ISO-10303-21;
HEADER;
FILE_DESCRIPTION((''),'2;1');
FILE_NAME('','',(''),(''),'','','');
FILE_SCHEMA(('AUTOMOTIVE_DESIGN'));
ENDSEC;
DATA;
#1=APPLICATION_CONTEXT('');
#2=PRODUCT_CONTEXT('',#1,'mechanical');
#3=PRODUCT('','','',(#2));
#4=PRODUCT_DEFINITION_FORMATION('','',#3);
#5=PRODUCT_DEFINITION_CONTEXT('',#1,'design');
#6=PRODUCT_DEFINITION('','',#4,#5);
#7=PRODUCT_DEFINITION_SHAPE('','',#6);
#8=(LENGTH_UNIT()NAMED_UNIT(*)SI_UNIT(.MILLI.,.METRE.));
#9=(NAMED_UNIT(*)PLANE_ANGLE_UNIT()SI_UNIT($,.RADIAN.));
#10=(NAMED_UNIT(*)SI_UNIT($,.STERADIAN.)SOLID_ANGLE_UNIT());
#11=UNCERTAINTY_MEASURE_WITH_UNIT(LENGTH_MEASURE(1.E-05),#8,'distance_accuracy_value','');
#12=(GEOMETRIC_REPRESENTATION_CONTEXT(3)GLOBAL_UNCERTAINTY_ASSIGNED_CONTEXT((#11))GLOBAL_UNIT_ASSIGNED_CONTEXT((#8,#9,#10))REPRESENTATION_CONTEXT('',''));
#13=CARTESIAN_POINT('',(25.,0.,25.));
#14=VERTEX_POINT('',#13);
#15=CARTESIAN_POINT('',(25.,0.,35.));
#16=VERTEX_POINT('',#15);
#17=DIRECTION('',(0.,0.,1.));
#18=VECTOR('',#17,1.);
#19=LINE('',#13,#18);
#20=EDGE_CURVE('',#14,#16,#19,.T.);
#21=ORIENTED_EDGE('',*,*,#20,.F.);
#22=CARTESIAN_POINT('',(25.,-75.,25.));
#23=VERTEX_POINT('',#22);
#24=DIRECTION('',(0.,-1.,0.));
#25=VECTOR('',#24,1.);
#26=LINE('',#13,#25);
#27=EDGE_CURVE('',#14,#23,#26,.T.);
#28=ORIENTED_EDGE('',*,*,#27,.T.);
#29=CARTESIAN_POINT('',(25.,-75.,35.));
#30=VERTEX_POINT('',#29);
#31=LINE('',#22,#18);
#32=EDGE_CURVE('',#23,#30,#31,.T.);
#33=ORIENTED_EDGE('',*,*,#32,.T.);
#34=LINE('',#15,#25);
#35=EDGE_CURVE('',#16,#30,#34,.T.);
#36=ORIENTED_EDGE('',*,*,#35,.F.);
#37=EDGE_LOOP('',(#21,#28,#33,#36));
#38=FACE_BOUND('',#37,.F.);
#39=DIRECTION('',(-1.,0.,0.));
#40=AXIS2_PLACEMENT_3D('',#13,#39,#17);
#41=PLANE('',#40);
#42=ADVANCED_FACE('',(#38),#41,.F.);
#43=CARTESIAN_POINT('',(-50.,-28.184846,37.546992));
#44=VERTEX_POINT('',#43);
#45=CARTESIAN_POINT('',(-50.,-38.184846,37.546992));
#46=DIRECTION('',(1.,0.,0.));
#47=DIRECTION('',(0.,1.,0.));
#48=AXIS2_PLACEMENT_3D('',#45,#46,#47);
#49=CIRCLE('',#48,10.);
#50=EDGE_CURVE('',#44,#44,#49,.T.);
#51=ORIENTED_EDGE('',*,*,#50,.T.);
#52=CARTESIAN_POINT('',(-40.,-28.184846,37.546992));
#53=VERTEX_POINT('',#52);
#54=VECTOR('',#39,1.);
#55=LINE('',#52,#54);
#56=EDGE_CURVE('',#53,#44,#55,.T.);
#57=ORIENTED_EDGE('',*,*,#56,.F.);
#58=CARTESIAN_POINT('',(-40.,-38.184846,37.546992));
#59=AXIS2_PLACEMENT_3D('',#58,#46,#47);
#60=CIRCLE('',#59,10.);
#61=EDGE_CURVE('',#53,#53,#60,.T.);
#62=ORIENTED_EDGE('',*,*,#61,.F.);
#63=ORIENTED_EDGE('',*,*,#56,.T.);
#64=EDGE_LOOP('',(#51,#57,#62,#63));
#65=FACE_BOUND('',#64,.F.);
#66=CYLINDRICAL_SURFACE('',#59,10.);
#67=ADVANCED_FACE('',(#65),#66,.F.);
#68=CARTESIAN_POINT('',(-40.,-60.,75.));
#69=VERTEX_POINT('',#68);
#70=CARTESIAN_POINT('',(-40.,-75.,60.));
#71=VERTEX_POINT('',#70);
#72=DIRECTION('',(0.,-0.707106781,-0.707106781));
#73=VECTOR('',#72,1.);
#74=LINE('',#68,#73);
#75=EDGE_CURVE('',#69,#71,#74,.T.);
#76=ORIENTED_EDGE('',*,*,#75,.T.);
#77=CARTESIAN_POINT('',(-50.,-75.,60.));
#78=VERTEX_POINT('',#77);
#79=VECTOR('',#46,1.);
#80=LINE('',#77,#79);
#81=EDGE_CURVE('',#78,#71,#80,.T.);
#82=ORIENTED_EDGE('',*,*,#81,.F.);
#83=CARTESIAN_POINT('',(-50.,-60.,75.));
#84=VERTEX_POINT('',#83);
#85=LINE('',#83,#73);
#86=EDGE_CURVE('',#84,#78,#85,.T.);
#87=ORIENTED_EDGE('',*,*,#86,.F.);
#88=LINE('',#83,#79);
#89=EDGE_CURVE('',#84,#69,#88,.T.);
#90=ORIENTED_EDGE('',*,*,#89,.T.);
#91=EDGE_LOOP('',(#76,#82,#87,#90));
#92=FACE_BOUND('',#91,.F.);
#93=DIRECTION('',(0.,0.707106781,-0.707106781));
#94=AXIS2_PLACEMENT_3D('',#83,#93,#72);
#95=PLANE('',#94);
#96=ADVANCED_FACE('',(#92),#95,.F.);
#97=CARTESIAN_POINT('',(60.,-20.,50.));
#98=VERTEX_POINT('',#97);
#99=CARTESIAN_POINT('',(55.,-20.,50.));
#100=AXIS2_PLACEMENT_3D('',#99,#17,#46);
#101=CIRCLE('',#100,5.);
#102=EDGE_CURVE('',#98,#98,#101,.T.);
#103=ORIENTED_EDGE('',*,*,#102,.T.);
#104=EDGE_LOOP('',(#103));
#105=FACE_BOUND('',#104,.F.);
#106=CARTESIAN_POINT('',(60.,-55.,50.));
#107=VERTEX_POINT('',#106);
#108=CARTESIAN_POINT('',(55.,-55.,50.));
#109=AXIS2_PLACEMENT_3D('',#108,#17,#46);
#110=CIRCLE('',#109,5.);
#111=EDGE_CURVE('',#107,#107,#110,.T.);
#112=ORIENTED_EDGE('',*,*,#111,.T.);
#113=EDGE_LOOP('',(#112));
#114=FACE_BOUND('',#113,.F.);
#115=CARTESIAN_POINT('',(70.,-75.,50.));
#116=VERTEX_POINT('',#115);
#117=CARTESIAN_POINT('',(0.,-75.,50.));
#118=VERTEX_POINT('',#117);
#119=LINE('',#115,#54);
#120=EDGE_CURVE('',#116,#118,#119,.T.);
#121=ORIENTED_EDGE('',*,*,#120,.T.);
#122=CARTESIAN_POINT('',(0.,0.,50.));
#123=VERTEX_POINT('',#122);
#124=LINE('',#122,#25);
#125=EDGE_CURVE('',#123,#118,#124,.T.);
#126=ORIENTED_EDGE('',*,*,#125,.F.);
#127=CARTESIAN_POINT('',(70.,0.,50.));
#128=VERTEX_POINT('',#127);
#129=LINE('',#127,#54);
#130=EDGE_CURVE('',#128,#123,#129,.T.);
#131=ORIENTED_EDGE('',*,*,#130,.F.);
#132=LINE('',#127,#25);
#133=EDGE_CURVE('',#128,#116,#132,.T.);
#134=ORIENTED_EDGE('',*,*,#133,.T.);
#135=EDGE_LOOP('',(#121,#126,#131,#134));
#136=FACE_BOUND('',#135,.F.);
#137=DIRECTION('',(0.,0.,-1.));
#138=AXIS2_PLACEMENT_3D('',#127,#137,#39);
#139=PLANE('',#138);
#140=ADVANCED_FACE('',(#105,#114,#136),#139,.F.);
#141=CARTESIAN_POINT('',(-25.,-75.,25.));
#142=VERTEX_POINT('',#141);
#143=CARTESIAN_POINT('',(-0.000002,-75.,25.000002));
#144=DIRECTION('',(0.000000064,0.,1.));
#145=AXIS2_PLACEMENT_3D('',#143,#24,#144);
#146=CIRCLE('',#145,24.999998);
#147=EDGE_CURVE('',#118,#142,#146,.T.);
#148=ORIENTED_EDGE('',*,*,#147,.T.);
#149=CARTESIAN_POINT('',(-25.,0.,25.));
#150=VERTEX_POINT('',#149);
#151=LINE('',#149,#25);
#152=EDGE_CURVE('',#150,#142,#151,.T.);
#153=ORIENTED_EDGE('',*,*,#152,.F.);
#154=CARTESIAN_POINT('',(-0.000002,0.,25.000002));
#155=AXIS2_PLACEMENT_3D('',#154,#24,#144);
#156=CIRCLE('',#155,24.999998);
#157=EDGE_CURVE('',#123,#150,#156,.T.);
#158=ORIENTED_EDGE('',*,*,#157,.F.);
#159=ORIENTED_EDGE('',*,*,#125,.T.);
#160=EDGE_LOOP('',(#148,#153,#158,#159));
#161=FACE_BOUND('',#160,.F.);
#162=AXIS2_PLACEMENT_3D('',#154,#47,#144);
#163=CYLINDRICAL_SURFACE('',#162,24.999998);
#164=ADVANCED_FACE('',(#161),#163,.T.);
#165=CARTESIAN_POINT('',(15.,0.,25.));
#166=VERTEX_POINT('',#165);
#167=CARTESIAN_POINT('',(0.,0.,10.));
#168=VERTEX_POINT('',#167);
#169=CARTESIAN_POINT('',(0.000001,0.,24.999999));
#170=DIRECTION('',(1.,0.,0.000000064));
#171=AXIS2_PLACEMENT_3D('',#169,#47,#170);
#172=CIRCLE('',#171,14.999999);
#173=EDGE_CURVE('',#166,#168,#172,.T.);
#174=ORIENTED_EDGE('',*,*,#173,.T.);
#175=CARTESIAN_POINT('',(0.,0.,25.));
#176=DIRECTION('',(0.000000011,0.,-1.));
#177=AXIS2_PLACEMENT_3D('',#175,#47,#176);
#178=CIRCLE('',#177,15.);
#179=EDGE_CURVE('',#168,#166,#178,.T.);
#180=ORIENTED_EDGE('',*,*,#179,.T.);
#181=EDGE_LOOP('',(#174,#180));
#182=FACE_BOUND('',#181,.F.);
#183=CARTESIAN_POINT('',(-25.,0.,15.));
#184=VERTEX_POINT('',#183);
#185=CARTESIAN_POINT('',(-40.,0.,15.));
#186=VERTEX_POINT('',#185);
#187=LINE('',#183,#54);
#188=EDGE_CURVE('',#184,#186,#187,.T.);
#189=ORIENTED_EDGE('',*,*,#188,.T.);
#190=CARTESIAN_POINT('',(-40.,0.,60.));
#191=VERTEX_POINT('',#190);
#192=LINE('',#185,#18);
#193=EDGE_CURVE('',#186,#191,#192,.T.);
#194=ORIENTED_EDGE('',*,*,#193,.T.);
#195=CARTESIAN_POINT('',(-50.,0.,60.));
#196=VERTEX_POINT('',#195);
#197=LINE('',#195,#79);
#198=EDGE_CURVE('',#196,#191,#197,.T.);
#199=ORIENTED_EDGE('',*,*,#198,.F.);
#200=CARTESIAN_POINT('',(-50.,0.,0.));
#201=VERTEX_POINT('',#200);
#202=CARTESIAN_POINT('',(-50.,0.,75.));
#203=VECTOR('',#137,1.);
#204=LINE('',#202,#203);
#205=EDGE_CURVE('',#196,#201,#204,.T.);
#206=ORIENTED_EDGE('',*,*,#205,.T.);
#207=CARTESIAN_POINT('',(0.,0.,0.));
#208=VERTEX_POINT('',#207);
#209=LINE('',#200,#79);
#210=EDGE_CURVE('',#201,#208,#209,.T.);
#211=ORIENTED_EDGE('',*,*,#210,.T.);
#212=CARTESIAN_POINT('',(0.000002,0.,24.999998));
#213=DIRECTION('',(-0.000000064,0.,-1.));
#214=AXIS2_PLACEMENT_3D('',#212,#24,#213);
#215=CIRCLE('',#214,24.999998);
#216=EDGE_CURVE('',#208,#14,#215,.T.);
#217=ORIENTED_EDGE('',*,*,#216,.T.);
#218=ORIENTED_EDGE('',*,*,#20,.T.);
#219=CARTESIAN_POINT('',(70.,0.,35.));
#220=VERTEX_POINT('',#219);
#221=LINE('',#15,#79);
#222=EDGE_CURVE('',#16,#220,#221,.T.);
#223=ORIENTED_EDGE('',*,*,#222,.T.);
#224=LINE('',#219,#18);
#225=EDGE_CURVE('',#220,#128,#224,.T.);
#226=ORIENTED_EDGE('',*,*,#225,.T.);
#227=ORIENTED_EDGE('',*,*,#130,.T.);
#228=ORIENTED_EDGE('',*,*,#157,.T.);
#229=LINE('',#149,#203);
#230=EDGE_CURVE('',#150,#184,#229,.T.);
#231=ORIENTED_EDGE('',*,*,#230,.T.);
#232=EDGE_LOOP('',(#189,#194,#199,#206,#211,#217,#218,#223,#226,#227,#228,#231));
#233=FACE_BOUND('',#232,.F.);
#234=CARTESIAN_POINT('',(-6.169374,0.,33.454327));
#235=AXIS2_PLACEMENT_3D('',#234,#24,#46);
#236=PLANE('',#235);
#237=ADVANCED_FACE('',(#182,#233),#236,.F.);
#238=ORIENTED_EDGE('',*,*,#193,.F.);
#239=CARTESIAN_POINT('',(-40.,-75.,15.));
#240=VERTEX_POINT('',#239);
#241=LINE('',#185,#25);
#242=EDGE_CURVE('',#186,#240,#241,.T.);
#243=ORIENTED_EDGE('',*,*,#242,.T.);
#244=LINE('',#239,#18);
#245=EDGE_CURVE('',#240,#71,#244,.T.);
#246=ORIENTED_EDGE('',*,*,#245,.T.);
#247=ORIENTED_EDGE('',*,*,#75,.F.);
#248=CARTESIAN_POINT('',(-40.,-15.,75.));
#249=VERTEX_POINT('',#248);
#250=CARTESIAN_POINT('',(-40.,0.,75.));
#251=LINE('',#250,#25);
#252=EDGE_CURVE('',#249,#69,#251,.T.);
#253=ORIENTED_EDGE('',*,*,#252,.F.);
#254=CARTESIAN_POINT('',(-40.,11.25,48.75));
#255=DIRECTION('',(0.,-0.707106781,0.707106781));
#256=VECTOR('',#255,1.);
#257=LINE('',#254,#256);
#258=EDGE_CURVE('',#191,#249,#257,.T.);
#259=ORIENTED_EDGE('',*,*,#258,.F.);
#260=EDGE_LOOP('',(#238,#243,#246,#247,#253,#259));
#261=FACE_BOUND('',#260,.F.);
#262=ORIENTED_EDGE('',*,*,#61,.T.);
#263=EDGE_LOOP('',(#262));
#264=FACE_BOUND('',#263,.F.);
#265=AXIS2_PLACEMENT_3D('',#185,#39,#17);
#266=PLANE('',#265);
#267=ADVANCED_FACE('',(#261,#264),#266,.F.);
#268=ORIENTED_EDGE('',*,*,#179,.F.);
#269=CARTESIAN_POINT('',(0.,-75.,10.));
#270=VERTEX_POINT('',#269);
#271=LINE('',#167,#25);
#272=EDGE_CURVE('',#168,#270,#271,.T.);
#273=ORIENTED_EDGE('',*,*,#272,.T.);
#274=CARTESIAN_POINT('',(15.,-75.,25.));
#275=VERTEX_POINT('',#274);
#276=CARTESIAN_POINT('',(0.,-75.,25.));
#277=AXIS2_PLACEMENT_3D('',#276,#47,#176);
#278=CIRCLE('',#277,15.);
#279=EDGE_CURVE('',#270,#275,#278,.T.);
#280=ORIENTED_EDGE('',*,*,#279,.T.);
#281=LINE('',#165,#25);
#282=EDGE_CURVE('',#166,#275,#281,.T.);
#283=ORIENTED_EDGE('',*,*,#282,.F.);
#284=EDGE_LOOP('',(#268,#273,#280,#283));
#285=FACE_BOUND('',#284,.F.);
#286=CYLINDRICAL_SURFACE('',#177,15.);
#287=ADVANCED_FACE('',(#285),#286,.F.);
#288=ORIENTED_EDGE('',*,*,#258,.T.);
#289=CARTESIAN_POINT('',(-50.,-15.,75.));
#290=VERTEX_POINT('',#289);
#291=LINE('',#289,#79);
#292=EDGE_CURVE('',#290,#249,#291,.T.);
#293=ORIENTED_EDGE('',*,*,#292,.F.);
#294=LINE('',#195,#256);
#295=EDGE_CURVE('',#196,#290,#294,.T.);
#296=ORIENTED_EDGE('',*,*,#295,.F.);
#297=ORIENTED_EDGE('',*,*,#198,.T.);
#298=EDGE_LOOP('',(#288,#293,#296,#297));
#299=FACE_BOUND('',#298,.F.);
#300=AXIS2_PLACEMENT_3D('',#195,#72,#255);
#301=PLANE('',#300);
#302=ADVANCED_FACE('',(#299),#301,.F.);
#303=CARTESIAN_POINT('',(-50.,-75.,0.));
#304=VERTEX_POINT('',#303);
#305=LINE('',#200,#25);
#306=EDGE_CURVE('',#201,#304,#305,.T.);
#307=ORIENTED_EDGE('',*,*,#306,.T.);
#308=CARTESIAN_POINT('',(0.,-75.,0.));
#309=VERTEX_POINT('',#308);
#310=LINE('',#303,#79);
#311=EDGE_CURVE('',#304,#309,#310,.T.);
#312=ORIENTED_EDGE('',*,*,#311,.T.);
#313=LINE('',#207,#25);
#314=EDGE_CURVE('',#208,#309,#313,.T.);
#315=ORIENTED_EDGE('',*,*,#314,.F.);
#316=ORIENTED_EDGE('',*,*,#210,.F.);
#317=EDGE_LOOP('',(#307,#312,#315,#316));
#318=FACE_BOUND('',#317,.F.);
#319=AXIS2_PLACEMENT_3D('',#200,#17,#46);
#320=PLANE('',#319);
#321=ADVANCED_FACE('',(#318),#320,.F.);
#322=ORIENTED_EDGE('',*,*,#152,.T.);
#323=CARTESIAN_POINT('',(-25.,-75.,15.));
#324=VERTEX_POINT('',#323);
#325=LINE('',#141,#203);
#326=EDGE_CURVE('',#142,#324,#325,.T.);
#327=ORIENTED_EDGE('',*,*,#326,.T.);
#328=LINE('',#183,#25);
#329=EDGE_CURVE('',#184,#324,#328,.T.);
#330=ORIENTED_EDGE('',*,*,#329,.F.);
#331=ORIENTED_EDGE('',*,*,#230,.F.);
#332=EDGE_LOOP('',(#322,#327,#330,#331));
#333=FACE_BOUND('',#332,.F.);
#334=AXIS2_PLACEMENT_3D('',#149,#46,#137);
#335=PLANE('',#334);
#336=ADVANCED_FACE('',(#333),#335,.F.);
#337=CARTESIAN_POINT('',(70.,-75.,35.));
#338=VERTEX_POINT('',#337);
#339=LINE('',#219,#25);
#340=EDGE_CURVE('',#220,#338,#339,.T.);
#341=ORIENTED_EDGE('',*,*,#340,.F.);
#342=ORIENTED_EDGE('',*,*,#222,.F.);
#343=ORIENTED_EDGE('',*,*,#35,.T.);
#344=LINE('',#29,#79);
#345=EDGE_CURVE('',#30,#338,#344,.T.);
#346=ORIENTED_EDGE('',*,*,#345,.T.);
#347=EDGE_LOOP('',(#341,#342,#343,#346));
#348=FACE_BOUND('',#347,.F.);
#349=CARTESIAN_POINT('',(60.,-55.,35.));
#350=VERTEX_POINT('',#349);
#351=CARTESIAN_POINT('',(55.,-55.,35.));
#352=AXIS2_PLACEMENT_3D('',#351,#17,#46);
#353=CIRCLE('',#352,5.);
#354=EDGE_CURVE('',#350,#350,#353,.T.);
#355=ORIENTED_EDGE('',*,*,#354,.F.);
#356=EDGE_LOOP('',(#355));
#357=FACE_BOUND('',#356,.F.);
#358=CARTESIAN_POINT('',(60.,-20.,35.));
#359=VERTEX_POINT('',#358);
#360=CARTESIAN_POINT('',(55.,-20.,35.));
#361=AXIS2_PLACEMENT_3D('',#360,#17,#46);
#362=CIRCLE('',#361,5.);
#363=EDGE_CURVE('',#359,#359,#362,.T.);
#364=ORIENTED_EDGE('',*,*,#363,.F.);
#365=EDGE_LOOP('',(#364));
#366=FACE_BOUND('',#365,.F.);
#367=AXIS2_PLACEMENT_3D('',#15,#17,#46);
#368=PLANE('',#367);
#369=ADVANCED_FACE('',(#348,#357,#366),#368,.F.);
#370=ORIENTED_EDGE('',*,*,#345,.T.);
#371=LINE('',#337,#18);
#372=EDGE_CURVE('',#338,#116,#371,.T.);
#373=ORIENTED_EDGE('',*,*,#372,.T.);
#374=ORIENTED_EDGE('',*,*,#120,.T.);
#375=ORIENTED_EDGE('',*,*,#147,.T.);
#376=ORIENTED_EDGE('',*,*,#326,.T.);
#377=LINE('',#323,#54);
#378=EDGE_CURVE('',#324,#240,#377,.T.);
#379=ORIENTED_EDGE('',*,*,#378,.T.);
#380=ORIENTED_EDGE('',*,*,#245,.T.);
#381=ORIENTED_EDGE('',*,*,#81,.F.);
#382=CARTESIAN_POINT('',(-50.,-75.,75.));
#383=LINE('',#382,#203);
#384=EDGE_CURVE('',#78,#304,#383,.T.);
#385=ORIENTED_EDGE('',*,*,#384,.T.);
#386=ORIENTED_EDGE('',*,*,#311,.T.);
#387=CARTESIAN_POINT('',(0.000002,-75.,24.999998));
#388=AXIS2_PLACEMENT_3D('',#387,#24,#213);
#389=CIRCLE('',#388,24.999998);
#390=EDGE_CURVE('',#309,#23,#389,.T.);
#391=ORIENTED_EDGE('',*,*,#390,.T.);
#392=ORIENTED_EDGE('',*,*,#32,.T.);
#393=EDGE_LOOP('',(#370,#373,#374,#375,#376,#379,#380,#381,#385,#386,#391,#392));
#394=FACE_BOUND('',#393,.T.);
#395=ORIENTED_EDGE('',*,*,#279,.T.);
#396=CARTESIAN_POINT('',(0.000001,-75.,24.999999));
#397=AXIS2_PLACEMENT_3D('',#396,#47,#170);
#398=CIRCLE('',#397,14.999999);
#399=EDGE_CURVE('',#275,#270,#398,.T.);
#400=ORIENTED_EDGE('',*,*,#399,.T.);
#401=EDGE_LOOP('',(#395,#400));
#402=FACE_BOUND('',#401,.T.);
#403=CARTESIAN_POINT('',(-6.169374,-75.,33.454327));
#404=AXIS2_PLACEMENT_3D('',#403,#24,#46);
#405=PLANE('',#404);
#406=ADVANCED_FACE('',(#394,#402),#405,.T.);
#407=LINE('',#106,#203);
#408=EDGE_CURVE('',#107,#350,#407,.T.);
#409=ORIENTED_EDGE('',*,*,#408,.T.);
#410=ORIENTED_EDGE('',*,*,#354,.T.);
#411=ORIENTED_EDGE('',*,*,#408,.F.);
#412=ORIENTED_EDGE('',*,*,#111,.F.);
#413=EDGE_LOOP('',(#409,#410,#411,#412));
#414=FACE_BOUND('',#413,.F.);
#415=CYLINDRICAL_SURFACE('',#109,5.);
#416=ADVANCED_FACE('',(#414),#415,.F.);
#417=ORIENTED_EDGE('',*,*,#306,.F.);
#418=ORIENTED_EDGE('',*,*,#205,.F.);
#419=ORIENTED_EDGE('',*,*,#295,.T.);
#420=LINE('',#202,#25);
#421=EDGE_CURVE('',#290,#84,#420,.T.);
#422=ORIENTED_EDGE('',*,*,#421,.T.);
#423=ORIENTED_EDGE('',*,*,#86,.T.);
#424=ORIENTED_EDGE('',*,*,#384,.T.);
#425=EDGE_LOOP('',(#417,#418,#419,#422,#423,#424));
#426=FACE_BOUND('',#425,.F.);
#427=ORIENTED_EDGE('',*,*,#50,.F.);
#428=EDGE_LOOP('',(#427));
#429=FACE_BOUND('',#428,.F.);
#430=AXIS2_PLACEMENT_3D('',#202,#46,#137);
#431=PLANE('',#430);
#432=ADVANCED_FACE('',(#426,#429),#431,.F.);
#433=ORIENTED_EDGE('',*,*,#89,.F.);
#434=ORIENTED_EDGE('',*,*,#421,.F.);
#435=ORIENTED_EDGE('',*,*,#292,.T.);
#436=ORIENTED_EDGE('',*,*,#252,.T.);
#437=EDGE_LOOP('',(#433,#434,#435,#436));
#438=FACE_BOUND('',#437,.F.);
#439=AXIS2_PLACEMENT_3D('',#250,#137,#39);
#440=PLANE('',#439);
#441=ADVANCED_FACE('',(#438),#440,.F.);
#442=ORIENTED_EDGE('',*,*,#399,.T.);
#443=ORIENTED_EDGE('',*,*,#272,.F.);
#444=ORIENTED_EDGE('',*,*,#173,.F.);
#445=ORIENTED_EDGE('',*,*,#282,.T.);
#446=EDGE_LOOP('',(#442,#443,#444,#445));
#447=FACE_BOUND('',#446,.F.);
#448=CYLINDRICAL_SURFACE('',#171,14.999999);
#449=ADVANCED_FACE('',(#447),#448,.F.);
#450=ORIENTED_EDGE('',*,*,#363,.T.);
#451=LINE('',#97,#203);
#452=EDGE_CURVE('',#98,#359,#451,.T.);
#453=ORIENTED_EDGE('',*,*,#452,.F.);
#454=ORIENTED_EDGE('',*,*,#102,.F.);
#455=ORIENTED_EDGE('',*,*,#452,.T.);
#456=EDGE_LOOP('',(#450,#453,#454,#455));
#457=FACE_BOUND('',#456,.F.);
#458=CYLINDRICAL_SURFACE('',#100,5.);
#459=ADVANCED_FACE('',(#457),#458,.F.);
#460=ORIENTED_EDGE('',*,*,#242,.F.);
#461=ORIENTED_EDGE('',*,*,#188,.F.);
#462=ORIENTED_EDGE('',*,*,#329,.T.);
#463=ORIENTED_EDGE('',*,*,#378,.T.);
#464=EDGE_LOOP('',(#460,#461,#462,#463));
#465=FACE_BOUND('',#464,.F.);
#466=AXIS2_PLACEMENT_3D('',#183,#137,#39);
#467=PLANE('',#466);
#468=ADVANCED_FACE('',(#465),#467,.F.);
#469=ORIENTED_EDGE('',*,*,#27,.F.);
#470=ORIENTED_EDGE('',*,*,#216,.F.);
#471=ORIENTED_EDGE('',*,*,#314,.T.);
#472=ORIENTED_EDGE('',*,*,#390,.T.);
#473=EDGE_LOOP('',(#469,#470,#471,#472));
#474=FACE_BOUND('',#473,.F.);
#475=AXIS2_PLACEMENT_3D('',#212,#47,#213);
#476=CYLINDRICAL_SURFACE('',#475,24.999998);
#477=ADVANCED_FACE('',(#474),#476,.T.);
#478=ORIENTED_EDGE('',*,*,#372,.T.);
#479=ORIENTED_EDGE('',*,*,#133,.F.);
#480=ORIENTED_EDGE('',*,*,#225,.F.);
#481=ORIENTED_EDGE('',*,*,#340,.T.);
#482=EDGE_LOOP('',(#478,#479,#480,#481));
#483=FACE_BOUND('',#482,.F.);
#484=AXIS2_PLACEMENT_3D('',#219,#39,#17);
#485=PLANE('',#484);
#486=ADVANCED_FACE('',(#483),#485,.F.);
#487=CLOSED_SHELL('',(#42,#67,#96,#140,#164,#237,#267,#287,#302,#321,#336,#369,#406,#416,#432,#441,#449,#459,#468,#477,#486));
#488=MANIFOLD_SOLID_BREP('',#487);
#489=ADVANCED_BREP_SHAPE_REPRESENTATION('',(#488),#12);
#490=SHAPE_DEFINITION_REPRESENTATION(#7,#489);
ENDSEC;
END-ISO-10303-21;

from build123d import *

# Parameters (mm, degrees)
F1_DEPTH = 75
F2_R     = 5
F3_DEPTH = 25
F5_DEPTH = 25
F7_R     = 10
F8_DEPTH = 10


with BuildPart() as f1:
    # F0 (on Front) → F1 (new body)
    with BuildSketch(Plane.XZ):
        with BuildLine():
            Line((-50, 0), (0, 0))
            ThreePointArc((0, 0), (17.67767, 7.32233), (25, 25))
            Line((25, 25), (25, 35))
            Line((25, 35), (70, 35))
            Line((70, 35), (70, 50))
            Line((70, 50), (0, 50))
            ThreePointArc((0, 50), (-17.67767, 42.67767), (-25, 25))
            Line((-25, 25), (-25, 15))
            Line((-25, 15), (-40, 15))
            Line((-40, 15), (-40, 75))
            Line((-40, 75), (-50, 75))
            Line((-50, 75), (-50, 0))
        make_face()
        with BuildLine():
            ThreePointArc((0, 10), (-10.606602, 35.606602), (15, 25))
            ThreePointArc((15, 25), (10.606602, 14.393398), (0, 10))
        make_face(mode=Mode.SUBTRACT)
    extrude(amount=F1_DEPTH)

    # F2 (on face) → F3 (cut)
    with BuildSketch(Plane.XY.offset(50)):
        with Locations((55, -20)):
            Circle(F2_R)
        with Locations((55, -55)):
            Circle(F2_R)
    extrude(amount=-F3_DEPTH, mode=Mode.SUBTRACT)

    # F4 (on face) → F5 (cut)
    with BuildSketch(Plane(origin=(-50, 0, 0), x_dir=(0, -1, 0), z_dir=(-1, 0, 0))):
        Polygon((0, 60), (15, 75), (0, 75), align=None)
        Polygon((75, 75), (60, 75), (75, 60), align=None)
    extrude(amount=-F5_DEPTH, mode=Mode.SUBTRACT)

    # F7 (on face) → F8 (cut)
    with BuildSketch(Plane.YZ.offset(-40)):
        with Locations((-38.184846, 37.546992)):
            Circle(F7_R)
    extrude(amount=-F8_DEPTH, mode=Mode.SUBTRACT)


solid = f1.part
